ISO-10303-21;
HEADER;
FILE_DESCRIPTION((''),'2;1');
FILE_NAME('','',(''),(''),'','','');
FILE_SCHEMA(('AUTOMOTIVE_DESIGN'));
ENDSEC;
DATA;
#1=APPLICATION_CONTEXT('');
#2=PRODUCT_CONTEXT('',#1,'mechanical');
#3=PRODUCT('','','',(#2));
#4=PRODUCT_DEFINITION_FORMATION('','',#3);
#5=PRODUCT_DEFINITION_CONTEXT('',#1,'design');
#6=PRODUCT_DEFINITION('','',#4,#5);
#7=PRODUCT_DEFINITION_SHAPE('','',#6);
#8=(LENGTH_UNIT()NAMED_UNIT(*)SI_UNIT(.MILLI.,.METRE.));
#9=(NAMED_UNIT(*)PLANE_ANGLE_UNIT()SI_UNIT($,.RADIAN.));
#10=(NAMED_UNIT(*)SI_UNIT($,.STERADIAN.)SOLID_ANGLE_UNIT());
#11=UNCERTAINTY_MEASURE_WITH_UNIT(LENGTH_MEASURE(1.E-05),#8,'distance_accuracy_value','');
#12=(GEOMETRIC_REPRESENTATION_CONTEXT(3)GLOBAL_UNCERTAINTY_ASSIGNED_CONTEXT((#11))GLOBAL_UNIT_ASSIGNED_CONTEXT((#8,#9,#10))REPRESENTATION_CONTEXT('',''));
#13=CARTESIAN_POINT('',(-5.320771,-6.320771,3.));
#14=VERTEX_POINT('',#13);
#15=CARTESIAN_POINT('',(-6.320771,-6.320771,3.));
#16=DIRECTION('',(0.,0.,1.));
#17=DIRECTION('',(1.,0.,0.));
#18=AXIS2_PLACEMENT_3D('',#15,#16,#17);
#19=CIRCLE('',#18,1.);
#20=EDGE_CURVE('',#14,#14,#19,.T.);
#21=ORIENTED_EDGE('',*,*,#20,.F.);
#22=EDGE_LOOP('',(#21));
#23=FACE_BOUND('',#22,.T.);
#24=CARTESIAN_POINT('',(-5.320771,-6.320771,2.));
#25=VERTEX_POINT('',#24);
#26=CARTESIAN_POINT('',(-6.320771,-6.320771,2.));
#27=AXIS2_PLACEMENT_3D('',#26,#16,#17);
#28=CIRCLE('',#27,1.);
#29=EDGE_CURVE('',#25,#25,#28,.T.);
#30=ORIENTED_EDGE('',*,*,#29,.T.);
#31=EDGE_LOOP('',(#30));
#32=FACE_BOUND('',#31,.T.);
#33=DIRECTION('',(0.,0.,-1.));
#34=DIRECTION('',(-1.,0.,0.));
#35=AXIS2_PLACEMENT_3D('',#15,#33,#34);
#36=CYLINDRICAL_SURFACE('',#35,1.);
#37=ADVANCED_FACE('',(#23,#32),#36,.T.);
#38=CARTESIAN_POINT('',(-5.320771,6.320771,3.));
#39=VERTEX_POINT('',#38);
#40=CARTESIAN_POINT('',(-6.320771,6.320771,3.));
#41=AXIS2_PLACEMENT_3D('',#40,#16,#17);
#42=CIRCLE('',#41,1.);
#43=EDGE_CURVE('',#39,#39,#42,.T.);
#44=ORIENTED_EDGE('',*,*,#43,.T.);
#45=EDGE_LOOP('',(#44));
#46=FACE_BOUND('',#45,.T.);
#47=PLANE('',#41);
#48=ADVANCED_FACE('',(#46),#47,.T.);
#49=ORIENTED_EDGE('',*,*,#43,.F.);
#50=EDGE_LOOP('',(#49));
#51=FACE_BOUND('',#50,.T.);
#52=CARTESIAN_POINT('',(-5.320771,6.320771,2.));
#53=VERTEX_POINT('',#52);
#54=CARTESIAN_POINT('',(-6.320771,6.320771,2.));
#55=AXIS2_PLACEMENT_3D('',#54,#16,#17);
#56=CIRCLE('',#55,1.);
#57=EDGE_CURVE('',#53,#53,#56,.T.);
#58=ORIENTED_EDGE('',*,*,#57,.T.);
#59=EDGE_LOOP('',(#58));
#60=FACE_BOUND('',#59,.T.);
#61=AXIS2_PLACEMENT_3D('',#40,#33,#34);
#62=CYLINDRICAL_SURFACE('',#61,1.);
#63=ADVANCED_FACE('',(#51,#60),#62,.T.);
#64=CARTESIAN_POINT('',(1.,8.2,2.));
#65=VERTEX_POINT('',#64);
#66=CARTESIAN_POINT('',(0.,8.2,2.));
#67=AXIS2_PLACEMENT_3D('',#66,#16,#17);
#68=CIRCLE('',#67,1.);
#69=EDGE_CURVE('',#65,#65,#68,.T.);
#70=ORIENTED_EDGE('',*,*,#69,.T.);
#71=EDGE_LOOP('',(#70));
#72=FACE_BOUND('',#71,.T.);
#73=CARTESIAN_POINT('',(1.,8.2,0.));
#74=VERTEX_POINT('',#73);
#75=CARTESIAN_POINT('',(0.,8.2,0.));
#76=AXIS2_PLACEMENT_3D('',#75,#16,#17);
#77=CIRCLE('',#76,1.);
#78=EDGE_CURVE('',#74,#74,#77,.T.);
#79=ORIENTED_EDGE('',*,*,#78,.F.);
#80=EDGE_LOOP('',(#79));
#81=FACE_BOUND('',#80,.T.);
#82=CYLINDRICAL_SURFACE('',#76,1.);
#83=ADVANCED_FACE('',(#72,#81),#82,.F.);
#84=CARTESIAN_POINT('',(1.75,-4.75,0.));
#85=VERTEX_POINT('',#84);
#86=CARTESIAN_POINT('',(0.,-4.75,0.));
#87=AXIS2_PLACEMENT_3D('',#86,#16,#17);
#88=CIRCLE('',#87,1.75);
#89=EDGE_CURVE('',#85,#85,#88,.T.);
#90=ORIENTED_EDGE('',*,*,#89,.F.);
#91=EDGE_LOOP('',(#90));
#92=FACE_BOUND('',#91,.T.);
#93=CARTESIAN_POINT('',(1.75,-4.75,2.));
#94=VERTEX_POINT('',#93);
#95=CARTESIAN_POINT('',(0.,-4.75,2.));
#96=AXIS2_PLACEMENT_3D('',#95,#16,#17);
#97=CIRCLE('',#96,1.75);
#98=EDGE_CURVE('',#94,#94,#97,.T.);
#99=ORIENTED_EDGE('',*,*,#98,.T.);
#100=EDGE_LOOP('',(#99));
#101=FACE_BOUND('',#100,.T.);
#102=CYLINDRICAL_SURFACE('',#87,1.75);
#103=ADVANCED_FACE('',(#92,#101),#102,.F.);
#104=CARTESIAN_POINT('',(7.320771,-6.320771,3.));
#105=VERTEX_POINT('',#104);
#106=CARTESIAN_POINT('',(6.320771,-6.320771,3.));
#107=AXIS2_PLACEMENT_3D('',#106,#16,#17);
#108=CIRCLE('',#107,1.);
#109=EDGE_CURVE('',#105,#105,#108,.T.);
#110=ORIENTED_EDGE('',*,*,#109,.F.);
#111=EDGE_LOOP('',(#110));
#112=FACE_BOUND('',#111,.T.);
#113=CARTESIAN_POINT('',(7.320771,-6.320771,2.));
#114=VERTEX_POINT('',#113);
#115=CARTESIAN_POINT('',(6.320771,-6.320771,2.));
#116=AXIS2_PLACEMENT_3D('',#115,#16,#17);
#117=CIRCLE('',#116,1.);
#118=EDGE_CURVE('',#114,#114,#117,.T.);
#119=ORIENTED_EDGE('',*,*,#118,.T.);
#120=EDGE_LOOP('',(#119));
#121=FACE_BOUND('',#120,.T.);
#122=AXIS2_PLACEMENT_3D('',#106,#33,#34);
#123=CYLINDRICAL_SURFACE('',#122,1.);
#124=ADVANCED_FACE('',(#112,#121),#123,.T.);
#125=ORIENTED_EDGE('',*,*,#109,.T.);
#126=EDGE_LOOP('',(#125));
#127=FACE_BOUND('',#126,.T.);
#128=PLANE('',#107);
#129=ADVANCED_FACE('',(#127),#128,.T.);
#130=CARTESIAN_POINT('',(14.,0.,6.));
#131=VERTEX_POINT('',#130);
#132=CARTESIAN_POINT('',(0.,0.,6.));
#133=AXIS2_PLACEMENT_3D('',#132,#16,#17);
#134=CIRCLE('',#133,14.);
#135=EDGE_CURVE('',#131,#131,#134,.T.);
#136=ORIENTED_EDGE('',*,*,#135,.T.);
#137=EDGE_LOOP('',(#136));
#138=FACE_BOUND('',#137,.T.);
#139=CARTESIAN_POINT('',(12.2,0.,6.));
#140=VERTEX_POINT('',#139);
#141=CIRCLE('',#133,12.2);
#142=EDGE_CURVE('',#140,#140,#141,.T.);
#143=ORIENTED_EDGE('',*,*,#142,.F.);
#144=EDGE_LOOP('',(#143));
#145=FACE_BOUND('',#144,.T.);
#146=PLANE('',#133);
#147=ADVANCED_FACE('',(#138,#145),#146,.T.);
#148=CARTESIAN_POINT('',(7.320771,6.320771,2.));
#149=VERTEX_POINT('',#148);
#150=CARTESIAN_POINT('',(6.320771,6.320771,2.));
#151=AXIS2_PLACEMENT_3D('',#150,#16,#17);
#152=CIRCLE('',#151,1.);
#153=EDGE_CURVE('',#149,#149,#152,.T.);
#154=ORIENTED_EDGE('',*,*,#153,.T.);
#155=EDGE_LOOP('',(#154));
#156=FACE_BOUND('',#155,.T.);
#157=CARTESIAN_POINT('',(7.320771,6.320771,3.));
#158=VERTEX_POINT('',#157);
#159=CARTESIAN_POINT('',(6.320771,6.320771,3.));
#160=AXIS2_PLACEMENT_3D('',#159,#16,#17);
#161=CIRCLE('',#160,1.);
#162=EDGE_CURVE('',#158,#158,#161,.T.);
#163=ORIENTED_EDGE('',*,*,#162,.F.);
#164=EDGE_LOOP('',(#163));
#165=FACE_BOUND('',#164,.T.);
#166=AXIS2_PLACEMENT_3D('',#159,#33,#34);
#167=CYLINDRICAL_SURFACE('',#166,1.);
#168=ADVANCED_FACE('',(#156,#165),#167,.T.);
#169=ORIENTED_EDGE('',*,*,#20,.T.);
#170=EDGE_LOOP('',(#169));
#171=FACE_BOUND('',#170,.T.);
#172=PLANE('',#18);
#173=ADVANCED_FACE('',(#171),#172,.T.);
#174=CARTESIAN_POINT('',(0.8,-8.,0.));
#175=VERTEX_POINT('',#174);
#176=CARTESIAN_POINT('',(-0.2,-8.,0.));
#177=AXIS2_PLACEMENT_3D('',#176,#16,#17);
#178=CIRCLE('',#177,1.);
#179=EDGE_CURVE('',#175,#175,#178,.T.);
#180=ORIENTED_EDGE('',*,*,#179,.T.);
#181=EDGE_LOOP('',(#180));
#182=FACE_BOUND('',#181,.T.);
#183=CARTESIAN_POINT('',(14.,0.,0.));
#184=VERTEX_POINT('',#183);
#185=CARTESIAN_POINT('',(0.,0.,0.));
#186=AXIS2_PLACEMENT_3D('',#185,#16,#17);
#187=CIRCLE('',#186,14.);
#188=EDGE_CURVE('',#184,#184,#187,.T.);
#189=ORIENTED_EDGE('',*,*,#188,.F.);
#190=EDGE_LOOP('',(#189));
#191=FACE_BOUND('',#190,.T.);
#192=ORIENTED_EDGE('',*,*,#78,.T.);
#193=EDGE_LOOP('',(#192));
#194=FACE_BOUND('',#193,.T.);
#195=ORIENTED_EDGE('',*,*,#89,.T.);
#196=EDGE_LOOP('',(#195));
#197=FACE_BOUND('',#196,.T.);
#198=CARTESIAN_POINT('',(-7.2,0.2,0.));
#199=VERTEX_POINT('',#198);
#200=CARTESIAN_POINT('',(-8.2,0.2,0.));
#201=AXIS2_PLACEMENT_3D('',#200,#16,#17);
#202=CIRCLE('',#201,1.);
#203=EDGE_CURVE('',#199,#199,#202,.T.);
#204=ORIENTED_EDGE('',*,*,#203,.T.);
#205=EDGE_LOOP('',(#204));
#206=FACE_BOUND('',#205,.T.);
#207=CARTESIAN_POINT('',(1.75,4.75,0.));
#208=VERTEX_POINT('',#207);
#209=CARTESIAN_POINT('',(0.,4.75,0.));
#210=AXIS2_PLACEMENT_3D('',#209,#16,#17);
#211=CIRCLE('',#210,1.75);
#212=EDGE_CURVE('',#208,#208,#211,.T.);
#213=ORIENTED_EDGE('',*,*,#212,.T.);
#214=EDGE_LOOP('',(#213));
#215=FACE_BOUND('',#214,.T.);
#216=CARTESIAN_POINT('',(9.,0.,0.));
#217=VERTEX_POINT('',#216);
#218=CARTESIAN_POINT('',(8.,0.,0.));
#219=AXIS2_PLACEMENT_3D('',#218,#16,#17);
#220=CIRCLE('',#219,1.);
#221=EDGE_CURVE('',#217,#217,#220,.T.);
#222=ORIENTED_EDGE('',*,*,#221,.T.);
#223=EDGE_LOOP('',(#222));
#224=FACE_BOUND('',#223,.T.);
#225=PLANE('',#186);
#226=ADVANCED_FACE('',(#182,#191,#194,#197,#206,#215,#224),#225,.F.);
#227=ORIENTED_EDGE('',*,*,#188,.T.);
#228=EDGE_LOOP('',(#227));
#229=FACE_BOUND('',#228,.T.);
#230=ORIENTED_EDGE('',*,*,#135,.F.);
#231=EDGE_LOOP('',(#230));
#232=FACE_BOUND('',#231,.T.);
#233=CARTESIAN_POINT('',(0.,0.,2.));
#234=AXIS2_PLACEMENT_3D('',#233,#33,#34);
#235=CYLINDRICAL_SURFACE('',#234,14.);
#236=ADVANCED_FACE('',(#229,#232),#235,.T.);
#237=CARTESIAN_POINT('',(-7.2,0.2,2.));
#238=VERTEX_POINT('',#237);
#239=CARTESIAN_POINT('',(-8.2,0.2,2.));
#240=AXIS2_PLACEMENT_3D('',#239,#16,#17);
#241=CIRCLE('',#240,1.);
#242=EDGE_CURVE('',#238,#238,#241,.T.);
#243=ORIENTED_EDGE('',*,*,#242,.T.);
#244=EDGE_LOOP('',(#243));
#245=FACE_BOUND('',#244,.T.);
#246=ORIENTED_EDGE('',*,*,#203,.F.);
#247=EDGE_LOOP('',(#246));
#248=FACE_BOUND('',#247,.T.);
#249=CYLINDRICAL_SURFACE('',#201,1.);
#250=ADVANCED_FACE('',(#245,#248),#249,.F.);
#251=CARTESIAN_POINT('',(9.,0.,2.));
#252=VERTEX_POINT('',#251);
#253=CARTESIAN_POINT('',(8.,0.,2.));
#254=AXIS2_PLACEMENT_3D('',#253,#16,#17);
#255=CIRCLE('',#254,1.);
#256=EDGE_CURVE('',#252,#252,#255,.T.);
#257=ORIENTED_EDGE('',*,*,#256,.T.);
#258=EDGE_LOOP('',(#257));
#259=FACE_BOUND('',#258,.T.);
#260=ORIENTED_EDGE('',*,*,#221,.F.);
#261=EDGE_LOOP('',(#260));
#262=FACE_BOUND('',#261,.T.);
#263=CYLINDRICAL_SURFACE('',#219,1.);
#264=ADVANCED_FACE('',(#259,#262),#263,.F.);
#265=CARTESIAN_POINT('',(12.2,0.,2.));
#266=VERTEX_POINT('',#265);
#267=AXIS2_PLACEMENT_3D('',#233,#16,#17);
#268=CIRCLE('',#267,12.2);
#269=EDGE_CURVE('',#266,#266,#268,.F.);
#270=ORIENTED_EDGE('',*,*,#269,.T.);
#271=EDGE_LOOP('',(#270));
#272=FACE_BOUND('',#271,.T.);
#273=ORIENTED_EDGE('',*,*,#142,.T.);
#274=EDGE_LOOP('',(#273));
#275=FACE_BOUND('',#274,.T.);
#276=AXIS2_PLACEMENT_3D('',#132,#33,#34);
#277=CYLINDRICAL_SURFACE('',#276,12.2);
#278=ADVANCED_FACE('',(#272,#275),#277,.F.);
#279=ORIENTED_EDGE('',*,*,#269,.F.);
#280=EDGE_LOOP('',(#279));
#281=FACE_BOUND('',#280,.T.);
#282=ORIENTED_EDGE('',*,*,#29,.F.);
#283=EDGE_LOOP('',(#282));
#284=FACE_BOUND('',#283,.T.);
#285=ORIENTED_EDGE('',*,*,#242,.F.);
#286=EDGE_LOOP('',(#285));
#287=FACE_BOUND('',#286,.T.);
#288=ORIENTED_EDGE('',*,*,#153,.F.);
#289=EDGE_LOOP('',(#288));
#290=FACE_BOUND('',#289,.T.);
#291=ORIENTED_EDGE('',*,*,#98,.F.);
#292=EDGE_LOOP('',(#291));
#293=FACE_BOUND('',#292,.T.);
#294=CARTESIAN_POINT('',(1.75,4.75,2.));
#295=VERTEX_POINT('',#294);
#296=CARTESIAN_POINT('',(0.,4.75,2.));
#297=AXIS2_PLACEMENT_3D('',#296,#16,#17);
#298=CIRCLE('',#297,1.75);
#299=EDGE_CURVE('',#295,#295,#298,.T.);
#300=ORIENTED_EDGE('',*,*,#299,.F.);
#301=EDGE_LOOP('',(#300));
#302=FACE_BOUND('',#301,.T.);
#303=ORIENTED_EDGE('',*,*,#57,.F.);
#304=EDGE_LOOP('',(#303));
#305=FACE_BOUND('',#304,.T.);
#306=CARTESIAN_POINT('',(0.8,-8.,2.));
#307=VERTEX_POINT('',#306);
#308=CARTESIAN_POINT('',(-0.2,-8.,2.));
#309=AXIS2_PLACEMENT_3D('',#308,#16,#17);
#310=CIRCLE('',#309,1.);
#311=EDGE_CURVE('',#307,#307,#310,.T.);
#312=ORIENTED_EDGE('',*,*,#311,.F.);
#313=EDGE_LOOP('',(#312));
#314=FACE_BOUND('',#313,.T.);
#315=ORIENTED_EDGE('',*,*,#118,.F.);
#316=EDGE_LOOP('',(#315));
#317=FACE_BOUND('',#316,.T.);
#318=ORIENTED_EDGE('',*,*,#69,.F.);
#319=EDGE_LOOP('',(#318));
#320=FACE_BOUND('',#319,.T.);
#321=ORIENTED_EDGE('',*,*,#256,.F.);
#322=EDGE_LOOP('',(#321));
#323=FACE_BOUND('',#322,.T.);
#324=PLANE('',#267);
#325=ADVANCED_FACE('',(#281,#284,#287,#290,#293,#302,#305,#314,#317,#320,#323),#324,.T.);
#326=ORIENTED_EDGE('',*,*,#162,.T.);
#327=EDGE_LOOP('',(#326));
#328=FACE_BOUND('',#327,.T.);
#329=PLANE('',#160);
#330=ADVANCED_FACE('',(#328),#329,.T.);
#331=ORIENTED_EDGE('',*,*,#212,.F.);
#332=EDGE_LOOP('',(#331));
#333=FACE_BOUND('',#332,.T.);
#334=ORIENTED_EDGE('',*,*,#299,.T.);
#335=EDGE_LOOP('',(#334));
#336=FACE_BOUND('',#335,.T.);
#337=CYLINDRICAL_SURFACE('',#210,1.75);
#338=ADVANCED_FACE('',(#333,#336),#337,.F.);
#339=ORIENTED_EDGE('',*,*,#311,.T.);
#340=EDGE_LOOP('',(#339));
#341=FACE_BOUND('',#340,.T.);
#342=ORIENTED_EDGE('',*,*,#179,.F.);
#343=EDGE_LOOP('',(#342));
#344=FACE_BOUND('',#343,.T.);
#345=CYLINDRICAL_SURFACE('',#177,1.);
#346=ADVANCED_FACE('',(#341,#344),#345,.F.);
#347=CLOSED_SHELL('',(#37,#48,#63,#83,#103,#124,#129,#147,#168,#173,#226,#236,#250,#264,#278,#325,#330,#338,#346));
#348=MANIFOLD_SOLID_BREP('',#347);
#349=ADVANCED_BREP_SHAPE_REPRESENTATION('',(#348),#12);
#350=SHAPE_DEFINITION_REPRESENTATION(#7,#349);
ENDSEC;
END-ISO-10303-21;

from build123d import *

# Parameters (mm, degrees)
SKETCH1_R           = 14
BOSS_EXTRUDE1_DEPTH = 2
SKETCH2_R           = 14
SKETCH2_R_2         = 12.2
BOSS_EXTRUDE2_DEPTH = 4
SKETCH3_R           = 1
CUT_EXTRUDE1_DEPTH  = 21.199009877
SKETCH4_R           = 1.75
CUT_EXTRUDE2_DEPTH  = 21.199009877
SKETCH5_R           = 1
BOSS_EXTRUDE3_DEPTH = 1


with BuildPart() as part:
    # Sketch1 → Boss-Extrude1 (new body)
    with BuildSketch(Plane.XY):
        Circle(SKETCH1_R)
    extrude(amount=BOSS_EXTRUDE1_DEPTH)

    # Sketch2 → Boss-Extrude2 (add)
    with BuildSketch(Plane.XY.offset(2)):
        Circle(SKETCH2_R)
        Circle(SKETCH2_R_2, mode=Mode.SUBTRACT)
    extrude(amount=BOSS_EXTRUDE2_DEPTH)

    # Sketch3 → Cut-Extrude1 (cut, through all)
    with BuildSketch(Plane.XY.offset(2)):
        with Locations((0, 8.2)):
            Circle(SKETCH3_R)
        with Locations((8, 0)):
            Circle(SKETCH3_R)
        with Locations((-0.2, -8)):
            Circle(SKETCH3_R)
        with Locations((-8.2, 0.2)):
            Circle(SKETCH3_R)
    extrude(amount=-CUT_EXTRUDE1_DEPTH, mode=Mode.SUBTRACT)

    # Sketch4 → Cut-Extrude2 (cut, through all)
    with BuildSketch(Plane.XY.offset(2)):
        with Locations((0, 4.75)):
            Circle(SKETCH4_R)
        with Locations((0, -4.75)):
            Circle(SKETCH4_R)
    extrude(amount=-CUT_EXTRUDE2_DEPTH, mode=Mode.SUBTRACT)

    # Sketch5 → Boss-Extrude3 (add)
    with BuildSketch(Plane.XY.offset(2)):
        with Locations((-6.320770843, -6.320770843)):
            Circle(SKETCH5_R)
        with Locations((-6.320770843, 6.320770843)):
            Circle(SKETCH5_R)
        with Locations((6.320770843, 6.320770843)):
            Circle(SKETCH5_R)
        with Locations((6.320770843, -6.320770843)):
            Circle(SKETCH5_R)
    extrude(amount=BOSS_EXTRUDE3_DEPTH)


solid = part.part
